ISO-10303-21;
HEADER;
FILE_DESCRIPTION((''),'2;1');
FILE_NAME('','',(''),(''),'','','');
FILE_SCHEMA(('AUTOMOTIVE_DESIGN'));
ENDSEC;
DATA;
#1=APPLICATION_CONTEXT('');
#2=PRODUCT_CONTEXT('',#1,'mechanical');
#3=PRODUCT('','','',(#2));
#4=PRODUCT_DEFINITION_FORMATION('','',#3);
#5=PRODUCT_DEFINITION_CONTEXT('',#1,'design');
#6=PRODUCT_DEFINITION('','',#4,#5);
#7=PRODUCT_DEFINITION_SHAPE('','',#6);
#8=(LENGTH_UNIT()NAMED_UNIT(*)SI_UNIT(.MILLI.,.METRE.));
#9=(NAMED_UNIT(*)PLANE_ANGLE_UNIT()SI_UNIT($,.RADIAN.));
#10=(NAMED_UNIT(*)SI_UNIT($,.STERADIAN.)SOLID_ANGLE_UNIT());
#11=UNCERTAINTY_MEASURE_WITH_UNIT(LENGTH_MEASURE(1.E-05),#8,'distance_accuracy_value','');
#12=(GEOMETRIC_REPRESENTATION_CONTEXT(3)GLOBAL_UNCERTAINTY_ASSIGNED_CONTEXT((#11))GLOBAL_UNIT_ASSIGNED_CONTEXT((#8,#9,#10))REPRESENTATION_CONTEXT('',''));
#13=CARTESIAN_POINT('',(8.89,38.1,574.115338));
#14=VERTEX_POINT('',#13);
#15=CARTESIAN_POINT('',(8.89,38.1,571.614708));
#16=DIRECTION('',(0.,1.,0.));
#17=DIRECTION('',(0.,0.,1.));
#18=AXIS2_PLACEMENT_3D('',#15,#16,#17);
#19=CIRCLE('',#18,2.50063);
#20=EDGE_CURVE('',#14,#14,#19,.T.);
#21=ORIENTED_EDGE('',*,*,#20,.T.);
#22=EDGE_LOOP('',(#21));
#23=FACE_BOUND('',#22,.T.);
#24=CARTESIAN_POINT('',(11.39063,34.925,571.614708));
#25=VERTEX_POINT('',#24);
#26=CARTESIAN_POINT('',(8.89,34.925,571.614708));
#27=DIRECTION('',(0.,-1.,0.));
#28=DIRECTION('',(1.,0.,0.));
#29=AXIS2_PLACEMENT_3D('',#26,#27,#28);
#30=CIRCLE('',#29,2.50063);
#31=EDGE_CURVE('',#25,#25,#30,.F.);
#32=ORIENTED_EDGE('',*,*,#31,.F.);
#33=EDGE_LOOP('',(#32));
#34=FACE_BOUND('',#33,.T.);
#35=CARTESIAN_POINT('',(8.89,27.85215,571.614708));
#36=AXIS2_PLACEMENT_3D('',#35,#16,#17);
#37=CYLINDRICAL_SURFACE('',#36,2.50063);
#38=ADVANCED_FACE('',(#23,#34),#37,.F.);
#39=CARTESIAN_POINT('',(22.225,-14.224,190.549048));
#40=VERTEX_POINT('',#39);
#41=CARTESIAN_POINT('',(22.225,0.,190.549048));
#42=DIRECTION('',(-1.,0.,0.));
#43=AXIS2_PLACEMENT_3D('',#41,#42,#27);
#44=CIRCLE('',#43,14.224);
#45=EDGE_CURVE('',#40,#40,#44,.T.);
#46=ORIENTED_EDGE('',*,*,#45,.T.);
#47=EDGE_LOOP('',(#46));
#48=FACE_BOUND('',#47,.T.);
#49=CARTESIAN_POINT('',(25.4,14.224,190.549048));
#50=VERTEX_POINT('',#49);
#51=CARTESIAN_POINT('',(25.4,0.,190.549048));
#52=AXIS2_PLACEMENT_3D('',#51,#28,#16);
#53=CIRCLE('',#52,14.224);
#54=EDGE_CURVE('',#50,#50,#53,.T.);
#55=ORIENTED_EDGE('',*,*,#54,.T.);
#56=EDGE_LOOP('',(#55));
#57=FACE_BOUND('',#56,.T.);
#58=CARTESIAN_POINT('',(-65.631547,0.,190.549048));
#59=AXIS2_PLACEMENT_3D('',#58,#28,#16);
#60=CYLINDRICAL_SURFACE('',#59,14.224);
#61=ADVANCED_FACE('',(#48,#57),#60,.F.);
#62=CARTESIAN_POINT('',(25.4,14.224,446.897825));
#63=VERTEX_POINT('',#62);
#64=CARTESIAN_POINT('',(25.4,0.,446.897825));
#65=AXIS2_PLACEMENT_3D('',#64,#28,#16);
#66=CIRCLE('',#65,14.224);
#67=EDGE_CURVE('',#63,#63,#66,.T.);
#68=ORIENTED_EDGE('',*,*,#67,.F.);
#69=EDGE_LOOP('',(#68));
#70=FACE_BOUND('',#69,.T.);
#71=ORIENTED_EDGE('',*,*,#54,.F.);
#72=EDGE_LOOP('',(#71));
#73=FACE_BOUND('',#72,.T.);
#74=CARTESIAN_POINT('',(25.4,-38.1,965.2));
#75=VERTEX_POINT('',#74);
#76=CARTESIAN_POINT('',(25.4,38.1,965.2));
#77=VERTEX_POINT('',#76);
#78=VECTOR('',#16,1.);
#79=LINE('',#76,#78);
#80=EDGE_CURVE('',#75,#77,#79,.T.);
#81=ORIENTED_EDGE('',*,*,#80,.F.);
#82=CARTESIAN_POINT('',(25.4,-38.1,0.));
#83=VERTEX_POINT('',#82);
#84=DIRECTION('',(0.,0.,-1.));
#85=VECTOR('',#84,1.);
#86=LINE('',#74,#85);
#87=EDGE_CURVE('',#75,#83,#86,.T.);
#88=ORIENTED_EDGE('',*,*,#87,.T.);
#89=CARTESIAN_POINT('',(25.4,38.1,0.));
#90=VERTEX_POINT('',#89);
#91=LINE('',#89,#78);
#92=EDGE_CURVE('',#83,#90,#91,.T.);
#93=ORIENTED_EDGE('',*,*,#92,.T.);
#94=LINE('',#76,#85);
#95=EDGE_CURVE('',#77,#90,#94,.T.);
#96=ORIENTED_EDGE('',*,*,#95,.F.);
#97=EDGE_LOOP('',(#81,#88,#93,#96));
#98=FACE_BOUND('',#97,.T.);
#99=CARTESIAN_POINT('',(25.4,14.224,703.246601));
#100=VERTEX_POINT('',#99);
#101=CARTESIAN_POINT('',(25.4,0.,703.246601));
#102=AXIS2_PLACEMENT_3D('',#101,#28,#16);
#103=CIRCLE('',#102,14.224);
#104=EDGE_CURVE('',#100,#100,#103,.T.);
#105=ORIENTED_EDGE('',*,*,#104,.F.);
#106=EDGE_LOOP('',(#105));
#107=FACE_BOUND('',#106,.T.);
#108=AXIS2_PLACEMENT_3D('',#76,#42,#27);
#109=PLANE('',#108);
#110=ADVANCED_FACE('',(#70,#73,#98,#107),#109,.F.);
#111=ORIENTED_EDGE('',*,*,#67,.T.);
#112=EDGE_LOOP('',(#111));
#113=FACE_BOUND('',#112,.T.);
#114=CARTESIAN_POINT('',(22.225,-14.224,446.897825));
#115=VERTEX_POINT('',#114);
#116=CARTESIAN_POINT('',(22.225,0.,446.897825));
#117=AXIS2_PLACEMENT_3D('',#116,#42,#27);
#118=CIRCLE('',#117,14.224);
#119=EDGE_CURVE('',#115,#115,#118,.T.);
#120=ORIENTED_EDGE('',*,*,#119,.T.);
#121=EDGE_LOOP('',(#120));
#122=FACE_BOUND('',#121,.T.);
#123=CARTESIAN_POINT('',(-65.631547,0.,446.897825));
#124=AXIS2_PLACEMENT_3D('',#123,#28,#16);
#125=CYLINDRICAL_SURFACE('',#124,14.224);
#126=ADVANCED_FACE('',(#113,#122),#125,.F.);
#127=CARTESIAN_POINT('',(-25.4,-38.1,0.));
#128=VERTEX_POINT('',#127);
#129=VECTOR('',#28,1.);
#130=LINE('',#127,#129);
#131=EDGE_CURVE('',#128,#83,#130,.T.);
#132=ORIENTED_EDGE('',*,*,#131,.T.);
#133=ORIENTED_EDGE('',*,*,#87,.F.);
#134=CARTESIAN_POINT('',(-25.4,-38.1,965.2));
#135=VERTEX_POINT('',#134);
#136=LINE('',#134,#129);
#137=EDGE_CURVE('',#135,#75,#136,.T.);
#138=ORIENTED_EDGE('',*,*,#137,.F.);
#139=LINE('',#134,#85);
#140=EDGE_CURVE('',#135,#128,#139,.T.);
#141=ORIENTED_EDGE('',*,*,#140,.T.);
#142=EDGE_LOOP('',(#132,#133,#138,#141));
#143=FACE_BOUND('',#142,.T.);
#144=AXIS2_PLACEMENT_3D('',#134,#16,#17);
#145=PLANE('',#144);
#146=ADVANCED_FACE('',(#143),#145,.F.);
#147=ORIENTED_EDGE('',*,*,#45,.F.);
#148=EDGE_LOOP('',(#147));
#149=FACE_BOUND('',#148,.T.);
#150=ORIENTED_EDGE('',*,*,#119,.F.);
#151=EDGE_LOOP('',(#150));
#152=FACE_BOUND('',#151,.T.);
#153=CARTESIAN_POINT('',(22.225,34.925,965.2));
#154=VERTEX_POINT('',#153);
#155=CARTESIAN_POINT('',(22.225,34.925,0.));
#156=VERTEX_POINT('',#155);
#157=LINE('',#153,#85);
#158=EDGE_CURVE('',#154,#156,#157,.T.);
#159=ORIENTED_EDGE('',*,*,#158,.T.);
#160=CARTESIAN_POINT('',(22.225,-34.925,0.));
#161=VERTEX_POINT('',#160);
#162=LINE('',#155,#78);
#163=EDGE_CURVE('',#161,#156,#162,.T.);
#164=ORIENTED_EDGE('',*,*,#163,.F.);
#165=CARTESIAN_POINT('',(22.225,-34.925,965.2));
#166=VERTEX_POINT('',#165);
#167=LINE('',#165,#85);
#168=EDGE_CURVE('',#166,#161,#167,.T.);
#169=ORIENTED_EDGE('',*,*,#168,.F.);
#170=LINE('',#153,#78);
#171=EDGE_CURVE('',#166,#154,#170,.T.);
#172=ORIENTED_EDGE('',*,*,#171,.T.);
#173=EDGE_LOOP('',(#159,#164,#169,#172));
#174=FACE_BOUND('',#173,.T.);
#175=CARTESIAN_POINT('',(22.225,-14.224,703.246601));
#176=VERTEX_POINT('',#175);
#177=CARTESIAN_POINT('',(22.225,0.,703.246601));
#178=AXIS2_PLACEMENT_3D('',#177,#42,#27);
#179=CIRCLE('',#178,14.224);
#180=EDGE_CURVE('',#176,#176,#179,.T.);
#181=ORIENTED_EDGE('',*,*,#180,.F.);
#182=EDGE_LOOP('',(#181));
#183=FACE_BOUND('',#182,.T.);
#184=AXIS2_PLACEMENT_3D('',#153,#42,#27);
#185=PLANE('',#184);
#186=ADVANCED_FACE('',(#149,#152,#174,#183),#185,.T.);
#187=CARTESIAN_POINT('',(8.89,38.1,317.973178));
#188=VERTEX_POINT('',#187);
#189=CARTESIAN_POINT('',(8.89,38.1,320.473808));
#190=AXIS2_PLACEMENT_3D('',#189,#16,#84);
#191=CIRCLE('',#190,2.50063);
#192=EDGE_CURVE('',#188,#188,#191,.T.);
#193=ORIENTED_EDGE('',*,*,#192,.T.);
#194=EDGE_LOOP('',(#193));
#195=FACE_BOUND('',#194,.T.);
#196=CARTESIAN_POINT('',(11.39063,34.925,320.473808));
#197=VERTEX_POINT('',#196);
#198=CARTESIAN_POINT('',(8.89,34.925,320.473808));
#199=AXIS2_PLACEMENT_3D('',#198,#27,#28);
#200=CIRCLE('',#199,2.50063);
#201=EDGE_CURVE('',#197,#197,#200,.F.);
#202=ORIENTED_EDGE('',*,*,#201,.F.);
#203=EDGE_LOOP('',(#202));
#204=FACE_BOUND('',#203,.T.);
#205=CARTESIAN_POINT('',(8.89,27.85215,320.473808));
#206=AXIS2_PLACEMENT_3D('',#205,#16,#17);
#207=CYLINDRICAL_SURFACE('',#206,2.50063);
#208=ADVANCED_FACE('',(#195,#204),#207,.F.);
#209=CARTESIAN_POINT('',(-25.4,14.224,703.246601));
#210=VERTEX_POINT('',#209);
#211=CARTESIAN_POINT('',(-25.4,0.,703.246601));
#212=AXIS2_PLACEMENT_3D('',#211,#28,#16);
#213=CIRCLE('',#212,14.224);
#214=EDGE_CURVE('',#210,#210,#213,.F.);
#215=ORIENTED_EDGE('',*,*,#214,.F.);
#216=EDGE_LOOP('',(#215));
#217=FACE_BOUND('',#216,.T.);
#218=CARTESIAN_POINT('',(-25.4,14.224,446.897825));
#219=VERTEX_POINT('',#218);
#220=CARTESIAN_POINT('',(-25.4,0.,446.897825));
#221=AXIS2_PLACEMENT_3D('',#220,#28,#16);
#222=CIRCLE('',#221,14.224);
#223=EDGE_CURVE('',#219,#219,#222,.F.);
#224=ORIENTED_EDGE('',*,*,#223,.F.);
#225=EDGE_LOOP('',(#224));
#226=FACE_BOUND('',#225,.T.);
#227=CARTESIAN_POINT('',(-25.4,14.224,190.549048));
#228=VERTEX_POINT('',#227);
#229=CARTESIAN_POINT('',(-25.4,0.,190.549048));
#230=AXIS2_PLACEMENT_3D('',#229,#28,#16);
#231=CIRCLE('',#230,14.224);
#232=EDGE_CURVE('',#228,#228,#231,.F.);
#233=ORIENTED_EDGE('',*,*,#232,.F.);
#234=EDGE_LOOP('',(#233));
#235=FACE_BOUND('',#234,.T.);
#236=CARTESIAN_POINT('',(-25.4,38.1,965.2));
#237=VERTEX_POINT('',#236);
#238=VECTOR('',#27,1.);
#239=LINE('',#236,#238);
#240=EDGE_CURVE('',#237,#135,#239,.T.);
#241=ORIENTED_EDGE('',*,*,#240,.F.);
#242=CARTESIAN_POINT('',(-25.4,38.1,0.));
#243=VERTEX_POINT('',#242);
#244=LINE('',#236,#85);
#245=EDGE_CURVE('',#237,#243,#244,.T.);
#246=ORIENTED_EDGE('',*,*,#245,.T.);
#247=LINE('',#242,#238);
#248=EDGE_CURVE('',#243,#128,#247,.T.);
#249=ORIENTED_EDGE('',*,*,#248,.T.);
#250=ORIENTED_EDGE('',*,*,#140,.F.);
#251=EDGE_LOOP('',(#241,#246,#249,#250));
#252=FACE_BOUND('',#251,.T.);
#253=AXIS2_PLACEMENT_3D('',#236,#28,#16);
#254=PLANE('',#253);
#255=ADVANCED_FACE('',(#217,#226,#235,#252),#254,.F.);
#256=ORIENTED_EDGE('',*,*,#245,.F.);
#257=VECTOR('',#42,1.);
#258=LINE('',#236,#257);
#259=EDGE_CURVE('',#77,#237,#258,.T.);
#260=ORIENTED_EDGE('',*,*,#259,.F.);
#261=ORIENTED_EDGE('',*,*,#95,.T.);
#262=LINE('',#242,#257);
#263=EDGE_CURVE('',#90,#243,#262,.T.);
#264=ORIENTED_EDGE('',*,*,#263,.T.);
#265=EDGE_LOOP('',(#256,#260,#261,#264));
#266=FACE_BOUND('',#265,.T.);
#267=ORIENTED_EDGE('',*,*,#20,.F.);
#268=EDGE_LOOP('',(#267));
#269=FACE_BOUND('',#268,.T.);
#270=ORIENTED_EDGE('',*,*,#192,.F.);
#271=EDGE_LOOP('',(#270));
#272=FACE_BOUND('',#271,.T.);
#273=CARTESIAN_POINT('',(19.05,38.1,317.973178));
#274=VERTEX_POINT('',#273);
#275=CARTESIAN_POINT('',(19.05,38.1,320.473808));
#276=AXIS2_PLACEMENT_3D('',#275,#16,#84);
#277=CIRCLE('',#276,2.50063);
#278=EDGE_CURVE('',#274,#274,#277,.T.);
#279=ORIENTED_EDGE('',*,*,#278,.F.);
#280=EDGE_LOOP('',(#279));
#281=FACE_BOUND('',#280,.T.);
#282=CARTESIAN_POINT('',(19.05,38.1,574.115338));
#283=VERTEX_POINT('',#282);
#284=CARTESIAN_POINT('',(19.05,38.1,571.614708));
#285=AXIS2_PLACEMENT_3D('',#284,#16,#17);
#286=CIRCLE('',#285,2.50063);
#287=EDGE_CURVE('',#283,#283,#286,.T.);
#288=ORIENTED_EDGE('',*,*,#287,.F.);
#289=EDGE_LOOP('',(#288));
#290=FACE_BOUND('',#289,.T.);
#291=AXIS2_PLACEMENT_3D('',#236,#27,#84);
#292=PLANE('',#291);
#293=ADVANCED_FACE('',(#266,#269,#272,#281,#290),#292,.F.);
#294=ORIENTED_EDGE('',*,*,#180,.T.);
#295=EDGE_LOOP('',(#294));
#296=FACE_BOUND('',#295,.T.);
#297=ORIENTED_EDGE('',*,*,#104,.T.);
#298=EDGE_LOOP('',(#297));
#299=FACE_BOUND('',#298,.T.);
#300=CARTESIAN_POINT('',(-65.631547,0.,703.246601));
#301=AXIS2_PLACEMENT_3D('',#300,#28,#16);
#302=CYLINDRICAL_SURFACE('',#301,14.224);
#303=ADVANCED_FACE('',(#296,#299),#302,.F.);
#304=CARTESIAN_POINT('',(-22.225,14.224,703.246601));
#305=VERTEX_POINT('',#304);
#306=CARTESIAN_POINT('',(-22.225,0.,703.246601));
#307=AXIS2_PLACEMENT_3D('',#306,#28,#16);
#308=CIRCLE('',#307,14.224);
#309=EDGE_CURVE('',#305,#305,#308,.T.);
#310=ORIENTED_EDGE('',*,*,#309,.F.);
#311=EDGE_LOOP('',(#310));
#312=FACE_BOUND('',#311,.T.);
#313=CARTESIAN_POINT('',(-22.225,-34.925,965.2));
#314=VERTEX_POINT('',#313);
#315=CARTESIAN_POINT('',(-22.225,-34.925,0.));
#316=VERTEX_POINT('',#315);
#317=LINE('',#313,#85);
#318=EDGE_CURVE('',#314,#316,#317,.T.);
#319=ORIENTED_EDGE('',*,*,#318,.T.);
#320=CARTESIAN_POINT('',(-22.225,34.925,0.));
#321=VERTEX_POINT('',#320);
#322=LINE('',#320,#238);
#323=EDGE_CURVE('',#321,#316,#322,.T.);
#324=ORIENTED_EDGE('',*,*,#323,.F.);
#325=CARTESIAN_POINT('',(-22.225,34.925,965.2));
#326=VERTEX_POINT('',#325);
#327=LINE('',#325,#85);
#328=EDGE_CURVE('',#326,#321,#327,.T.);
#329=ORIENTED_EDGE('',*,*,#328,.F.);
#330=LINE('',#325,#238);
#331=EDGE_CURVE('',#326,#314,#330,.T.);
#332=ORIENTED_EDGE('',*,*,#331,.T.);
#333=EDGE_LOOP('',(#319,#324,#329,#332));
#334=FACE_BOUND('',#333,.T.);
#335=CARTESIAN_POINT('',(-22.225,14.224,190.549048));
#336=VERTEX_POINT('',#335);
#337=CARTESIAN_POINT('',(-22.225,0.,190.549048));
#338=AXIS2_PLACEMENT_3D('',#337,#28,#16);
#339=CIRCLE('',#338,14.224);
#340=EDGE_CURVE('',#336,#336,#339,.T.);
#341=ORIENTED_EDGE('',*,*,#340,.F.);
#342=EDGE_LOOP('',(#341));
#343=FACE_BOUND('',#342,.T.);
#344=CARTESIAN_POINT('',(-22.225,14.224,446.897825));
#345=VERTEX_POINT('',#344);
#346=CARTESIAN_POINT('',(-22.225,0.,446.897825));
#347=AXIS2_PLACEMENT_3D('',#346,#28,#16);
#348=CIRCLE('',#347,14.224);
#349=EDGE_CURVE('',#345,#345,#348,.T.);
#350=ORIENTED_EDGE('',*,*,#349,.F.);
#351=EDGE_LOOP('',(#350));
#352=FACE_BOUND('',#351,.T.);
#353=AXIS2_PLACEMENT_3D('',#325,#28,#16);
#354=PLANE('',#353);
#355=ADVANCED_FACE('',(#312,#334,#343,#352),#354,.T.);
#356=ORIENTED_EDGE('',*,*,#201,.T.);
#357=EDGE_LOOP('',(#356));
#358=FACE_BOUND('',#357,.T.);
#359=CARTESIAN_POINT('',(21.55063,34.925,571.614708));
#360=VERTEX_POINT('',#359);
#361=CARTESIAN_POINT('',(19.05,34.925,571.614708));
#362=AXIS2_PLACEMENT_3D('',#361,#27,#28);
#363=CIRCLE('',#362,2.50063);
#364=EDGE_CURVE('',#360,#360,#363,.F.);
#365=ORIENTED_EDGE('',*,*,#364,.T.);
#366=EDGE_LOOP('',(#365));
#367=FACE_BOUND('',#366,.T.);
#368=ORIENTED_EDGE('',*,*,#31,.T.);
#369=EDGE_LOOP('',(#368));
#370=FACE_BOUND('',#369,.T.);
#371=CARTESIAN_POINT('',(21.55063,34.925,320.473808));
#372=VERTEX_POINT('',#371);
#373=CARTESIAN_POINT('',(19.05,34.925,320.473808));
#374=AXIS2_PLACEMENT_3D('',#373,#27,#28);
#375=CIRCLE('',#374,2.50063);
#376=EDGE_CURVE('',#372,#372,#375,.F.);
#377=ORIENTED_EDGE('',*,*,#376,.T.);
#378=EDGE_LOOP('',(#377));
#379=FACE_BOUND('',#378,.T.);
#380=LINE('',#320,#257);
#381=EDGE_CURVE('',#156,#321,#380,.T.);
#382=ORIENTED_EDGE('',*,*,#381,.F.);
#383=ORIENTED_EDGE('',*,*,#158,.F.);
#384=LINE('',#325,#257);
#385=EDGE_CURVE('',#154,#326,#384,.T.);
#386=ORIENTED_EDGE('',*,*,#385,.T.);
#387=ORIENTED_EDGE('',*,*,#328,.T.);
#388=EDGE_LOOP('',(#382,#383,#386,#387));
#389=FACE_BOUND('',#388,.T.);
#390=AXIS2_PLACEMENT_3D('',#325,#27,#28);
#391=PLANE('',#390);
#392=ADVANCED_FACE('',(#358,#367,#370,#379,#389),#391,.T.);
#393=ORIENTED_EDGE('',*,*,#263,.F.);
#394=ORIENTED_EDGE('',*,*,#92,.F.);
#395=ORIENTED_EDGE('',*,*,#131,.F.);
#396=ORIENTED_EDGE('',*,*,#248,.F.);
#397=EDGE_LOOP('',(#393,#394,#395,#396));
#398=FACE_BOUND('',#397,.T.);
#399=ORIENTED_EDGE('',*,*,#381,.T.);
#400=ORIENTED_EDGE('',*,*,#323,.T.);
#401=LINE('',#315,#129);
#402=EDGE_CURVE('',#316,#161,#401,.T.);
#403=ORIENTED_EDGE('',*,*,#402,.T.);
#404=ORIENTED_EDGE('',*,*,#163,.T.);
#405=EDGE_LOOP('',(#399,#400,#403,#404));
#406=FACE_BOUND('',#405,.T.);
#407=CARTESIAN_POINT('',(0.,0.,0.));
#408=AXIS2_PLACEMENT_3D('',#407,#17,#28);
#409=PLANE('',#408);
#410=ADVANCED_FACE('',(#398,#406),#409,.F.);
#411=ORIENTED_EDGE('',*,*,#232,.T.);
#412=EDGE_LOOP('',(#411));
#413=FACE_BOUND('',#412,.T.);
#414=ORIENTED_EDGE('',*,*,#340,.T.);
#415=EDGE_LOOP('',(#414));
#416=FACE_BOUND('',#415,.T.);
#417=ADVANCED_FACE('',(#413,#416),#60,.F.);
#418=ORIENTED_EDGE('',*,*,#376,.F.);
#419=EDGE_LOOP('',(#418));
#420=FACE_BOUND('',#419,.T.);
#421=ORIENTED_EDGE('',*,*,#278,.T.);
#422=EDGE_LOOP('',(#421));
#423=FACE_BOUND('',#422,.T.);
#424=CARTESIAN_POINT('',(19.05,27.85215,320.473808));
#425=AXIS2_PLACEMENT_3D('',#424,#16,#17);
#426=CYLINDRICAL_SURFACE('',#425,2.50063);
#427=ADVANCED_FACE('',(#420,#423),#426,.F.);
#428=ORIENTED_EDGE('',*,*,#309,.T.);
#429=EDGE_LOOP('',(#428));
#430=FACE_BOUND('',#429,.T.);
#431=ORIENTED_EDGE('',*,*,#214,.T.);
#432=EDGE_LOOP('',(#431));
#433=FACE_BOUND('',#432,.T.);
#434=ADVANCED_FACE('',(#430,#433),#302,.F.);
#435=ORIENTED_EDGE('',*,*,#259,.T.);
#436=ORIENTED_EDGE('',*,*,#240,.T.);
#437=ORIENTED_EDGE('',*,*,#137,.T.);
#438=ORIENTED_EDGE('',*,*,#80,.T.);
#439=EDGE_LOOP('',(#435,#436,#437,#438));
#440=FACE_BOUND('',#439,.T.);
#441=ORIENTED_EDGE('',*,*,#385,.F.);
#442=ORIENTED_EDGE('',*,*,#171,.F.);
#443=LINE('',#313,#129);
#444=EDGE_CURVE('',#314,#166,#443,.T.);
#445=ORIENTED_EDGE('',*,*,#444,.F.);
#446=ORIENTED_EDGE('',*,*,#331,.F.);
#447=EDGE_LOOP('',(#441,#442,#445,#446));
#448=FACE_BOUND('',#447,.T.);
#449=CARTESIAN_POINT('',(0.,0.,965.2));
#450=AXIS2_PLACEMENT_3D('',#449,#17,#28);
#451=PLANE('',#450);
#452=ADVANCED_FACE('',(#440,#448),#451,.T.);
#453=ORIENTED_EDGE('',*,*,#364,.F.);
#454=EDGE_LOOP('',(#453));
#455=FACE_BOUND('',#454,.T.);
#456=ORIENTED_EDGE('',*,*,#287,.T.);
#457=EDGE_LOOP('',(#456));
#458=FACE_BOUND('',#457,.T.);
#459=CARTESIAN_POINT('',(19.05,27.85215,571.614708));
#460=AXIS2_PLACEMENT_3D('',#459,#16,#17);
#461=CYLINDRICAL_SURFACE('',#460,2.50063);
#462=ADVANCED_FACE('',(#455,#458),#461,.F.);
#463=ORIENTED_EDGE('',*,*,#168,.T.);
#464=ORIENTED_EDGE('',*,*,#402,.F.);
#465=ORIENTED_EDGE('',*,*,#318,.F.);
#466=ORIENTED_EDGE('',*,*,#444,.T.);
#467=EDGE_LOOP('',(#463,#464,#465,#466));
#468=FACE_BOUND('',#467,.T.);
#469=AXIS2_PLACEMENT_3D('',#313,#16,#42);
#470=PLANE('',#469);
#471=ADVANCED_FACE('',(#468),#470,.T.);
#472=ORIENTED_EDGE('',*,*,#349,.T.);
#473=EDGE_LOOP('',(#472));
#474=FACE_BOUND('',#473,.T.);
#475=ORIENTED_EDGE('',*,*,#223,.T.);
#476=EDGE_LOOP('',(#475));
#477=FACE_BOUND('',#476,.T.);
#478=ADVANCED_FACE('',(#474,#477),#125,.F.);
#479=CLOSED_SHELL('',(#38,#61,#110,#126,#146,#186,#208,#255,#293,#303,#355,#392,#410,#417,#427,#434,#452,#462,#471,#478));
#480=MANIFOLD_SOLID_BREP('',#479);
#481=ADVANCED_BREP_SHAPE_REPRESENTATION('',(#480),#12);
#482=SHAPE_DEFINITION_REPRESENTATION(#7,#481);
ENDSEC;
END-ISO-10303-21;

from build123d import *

# Parameters (mm, degrees)
SKETCH1_W           = 50.8
SKETCH1_H           = 76.2
SKETCH1_W_2         = 44.45
SKETCH1_H_2         = 69.85
BOSS_EXTRUDE1_DEPTH = 965.2
CUT_EXTRUDE1_REACH  = 969.287
SKETCH4_R           = 14.224
SKETCH5_R           = 2.50063
CUT_EXTRUDE2_DEPTH  = 3.175


with BuildPart() as part:
    # Sketch1 → Boss-Extrude1 (new body)
    with BuildSketch(Plane.XY):
        Rectangle(SKETCH1_W, SKETCH1_H)
        Rectangle(SKETCH1_W_2, SKETCH1_H_2, mode=Mode.SUBTRACT)
    extrude(amount=BOSS_EXTRUDE1_DEPTH)

    # Cut-Extrude1: up to this face of the body (flat: up to its plane)
    cut_extrude1_end = Plane(part.part.faces().sort_by_distance((-25.4, 0, 482.6))[0])
    # Sketch4 → Cut-Extrude1 (cut, up to the picked face)
    with BuildSketch(Plane(origin=(25.4, 0, 0), x_dir=(0, 0, -1), z_dir=(1, 0, 0)), mode=Mode.PRIVATE) as cut_extrude1_sk1:
        with Locations(Location((-703.246600733, 0, 0), (0, 0, 90))):
            Circle(SKETCH4_R)
    cut_extrude1_tool1 = split(extrude(cut_extrude1_sk1.sketch, amount=-CUT_EXTRUDE1_REACH, mode=Mode.PRIVATE), bisect_by=cut_extrude1_end, keep=Keep.BOTH, mode=Mode.PRIVATE)
    # Sketch4 → Cut-Extrude1 (cut, up to the picked face)
    with BuildSketch(Plane(origin=(25.4, 0, 0), x_dir=(0, 0, -1), z_dir=(1, 0, 0)), mode=Mode.PRIVATE) as cut_extrude1_sk2:
        with Locations(Location((-190.549048411, 0, 0), (0, 0, 90))):
            Circle(SKETCH4_R)
    cut_extrude1_tool2 = split(extrude(cut_extrude1_sk2.sketch, amount=-CUT_EXTRUDE1_REACH, mode=Mode.PRIVATE), bisect_by=cut_extrude1_end, keep=Keep.BOTH, mode=Mode.PRIVATE)
    # Sketch4 → Cut-Extrude1 (cut, up to the picked face)
    with BuildSketch(Plane(origin=(25.4, 0, 0), x_dir=(0, 0, -1), z_dir=(1, 0, 0)), mode=Mode.PRIVATE) as cut_extrude1_sk3:
        with Locations(Location((-446.897824572, 0, 0), (0, 0, 90))):
            Circle(SKETCH4_R)
    cut_extrude1_tool3 = split(extrude(cut_extrude1_sk3.sketch, amount=-CUT_EXTRUDE1_REACH, mode=Mode.PRIVATE), bisect_by=cut_extrude1_end, keep=Keep.BOTH, mode=Mode.PRIVATE)
    add(cut_extrude1_tool1.solids().sort_by(Axis((25.4, 0, 703.246601), (-1, 0, 0)))[0], mode=Mode.SUBTRACT)
    add(cut_extrude1_tool2.solids().sort_by(Axis((25.4, 0, 190.549048), (-1, 0, 0)))[0], mode=Mode.SUBTRACT)
    add(cut_extrude1_tool3.solids().sort_by(Axis((25.4, 0, 446.897825), (-1, 0, 0)))[0], mode=Mode.SUBTRACT)

    # Sketch5 → Cut-Extrude2 (cut)
    with BuildSketch(Plane(origin=(0, 38.1, 0), x_dir=(1, 0, 0), z_dir=(0, 1, 0))):
        with Locations(Location((8.89, -571.614708402, 0), (0, 0, 270))):
            Circle(SKETCH5_R)
        with Locations(Location((19.05, -571.614708402, 0), (0, 0, 270))):
            Circle(SKETCH5_R)
        with Locations((19.05, -320.473808194)):
            Circle(SKETCH5_R)
        with Locations((8.89, -320.473808194)):
            Circle(SKETCH5_R)
    extrude(amount=-CUT_EXTRUDE2_DEPTH, mode=Mode.SUBTRACT)


solid = part.part
